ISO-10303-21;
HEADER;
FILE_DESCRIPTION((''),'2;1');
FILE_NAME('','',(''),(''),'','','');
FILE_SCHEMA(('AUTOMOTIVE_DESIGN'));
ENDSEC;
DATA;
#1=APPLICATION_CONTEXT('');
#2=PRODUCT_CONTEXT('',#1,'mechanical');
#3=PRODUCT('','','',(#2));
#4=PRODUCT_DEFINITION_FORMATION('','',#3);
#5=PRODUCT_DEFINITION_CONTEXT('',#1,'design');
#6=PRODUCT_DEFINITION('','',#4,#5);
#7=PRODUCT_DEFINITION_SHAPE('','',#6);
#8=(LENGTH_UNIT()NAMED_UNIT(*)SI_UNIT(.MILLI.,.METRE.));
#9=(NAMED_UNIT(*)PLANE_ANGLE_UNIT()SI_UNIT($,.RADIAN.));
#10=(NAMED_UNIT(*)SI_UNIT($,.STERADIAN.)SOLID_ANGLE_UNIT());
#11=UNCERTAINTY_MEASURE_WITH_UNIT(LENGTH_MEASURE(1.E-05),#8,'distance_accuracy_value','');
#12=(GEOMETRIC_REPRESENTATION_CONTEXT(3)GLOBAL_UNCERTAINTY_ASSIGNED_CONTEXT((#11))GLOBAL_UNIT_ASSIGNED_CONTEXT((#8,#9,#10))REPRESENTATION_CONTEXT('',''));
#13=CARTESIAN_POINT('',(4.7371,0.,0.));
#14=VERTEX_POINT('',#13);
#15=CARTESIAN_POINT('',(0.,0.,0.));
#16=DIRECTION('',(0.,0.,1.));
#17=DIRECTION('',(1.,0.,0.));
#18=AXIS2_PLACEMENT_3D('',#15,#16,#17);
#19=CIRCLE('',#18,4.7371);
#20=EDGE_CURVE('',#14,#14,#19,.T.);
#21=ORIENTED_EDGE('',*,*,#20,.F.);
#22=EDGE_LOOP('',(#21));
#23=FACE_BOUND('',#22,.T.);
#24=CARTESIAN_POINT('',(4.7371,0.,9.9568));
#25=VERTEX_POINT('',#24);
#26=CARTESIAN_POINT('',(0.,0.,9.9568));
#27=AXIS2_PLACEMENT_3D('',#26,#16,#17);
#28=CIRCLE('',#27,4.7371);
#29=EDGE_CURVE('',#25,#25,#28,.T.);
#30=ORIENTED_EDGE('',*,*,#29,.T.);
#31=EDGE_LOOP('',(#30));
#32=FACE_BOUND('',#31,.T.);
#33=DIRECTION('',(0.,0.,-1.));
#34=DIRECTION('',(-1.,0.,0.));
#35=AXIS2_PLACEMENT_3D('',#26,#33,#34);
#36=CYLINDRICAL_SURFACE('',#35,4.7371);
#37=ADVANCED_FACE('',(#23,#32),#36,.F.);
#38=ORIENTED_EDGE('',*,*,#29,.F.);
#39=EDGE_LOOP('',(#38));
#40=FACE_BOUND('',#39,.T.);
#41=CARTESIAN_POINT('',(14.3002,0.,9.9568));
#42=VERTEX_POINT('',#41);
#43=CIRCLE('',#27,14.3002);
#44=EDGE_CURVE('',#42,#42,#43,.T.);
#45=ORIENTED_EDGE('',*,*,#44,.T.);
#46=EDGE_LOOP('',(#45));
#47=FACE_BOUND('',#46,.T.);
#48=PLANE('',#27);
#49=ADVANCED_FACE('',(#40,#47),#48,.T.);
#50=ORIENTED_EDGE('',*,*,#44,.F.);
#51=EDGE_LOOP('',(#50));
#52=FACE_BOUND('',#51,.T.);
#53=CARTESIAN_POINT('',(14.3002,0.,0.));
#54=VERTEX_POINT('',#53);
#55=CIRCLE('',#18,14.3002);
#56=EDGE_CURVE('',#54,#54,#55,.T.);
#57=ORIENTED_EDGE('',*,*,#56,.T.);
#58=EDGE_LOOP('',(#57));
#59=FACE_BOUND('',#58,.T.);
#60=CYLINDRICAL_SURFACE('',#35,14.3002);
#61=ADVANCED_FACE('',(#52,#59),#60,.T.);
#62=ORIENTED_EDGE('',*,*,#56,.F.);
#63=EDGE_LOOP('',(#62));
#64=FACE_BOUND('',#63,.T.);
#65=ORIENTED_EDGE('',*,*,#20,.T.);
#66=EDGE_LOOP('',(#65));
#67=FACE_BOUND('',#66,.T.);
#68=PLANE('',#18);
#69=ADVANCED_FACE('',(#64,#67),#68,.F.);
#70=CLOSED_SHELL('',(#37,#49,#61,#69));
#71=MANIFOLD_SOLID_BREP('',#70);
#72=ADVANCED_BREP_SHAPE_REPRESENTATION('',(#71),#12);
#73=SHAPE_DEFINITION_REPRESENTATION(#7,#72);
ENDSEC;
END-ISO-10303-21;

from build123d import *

# Parameters (mm, degrees)
SKETCH1_R      = 14.3002
SKETCH1_R_2    = 4.7371
EXTRUDE1_DEPTH = 9.9568


with BuildPart() as part:
    # Sketch1 → Extrude1 (new body)
    with BuildSketch(Plane.XY):
        Circle(SKETCH1_R)
        Circle(SKETCH1_R_2, mode=Mode.SUBTRACT)
    extrude(amount=EXTRUDE1_DEPTH)


solid = part.part
